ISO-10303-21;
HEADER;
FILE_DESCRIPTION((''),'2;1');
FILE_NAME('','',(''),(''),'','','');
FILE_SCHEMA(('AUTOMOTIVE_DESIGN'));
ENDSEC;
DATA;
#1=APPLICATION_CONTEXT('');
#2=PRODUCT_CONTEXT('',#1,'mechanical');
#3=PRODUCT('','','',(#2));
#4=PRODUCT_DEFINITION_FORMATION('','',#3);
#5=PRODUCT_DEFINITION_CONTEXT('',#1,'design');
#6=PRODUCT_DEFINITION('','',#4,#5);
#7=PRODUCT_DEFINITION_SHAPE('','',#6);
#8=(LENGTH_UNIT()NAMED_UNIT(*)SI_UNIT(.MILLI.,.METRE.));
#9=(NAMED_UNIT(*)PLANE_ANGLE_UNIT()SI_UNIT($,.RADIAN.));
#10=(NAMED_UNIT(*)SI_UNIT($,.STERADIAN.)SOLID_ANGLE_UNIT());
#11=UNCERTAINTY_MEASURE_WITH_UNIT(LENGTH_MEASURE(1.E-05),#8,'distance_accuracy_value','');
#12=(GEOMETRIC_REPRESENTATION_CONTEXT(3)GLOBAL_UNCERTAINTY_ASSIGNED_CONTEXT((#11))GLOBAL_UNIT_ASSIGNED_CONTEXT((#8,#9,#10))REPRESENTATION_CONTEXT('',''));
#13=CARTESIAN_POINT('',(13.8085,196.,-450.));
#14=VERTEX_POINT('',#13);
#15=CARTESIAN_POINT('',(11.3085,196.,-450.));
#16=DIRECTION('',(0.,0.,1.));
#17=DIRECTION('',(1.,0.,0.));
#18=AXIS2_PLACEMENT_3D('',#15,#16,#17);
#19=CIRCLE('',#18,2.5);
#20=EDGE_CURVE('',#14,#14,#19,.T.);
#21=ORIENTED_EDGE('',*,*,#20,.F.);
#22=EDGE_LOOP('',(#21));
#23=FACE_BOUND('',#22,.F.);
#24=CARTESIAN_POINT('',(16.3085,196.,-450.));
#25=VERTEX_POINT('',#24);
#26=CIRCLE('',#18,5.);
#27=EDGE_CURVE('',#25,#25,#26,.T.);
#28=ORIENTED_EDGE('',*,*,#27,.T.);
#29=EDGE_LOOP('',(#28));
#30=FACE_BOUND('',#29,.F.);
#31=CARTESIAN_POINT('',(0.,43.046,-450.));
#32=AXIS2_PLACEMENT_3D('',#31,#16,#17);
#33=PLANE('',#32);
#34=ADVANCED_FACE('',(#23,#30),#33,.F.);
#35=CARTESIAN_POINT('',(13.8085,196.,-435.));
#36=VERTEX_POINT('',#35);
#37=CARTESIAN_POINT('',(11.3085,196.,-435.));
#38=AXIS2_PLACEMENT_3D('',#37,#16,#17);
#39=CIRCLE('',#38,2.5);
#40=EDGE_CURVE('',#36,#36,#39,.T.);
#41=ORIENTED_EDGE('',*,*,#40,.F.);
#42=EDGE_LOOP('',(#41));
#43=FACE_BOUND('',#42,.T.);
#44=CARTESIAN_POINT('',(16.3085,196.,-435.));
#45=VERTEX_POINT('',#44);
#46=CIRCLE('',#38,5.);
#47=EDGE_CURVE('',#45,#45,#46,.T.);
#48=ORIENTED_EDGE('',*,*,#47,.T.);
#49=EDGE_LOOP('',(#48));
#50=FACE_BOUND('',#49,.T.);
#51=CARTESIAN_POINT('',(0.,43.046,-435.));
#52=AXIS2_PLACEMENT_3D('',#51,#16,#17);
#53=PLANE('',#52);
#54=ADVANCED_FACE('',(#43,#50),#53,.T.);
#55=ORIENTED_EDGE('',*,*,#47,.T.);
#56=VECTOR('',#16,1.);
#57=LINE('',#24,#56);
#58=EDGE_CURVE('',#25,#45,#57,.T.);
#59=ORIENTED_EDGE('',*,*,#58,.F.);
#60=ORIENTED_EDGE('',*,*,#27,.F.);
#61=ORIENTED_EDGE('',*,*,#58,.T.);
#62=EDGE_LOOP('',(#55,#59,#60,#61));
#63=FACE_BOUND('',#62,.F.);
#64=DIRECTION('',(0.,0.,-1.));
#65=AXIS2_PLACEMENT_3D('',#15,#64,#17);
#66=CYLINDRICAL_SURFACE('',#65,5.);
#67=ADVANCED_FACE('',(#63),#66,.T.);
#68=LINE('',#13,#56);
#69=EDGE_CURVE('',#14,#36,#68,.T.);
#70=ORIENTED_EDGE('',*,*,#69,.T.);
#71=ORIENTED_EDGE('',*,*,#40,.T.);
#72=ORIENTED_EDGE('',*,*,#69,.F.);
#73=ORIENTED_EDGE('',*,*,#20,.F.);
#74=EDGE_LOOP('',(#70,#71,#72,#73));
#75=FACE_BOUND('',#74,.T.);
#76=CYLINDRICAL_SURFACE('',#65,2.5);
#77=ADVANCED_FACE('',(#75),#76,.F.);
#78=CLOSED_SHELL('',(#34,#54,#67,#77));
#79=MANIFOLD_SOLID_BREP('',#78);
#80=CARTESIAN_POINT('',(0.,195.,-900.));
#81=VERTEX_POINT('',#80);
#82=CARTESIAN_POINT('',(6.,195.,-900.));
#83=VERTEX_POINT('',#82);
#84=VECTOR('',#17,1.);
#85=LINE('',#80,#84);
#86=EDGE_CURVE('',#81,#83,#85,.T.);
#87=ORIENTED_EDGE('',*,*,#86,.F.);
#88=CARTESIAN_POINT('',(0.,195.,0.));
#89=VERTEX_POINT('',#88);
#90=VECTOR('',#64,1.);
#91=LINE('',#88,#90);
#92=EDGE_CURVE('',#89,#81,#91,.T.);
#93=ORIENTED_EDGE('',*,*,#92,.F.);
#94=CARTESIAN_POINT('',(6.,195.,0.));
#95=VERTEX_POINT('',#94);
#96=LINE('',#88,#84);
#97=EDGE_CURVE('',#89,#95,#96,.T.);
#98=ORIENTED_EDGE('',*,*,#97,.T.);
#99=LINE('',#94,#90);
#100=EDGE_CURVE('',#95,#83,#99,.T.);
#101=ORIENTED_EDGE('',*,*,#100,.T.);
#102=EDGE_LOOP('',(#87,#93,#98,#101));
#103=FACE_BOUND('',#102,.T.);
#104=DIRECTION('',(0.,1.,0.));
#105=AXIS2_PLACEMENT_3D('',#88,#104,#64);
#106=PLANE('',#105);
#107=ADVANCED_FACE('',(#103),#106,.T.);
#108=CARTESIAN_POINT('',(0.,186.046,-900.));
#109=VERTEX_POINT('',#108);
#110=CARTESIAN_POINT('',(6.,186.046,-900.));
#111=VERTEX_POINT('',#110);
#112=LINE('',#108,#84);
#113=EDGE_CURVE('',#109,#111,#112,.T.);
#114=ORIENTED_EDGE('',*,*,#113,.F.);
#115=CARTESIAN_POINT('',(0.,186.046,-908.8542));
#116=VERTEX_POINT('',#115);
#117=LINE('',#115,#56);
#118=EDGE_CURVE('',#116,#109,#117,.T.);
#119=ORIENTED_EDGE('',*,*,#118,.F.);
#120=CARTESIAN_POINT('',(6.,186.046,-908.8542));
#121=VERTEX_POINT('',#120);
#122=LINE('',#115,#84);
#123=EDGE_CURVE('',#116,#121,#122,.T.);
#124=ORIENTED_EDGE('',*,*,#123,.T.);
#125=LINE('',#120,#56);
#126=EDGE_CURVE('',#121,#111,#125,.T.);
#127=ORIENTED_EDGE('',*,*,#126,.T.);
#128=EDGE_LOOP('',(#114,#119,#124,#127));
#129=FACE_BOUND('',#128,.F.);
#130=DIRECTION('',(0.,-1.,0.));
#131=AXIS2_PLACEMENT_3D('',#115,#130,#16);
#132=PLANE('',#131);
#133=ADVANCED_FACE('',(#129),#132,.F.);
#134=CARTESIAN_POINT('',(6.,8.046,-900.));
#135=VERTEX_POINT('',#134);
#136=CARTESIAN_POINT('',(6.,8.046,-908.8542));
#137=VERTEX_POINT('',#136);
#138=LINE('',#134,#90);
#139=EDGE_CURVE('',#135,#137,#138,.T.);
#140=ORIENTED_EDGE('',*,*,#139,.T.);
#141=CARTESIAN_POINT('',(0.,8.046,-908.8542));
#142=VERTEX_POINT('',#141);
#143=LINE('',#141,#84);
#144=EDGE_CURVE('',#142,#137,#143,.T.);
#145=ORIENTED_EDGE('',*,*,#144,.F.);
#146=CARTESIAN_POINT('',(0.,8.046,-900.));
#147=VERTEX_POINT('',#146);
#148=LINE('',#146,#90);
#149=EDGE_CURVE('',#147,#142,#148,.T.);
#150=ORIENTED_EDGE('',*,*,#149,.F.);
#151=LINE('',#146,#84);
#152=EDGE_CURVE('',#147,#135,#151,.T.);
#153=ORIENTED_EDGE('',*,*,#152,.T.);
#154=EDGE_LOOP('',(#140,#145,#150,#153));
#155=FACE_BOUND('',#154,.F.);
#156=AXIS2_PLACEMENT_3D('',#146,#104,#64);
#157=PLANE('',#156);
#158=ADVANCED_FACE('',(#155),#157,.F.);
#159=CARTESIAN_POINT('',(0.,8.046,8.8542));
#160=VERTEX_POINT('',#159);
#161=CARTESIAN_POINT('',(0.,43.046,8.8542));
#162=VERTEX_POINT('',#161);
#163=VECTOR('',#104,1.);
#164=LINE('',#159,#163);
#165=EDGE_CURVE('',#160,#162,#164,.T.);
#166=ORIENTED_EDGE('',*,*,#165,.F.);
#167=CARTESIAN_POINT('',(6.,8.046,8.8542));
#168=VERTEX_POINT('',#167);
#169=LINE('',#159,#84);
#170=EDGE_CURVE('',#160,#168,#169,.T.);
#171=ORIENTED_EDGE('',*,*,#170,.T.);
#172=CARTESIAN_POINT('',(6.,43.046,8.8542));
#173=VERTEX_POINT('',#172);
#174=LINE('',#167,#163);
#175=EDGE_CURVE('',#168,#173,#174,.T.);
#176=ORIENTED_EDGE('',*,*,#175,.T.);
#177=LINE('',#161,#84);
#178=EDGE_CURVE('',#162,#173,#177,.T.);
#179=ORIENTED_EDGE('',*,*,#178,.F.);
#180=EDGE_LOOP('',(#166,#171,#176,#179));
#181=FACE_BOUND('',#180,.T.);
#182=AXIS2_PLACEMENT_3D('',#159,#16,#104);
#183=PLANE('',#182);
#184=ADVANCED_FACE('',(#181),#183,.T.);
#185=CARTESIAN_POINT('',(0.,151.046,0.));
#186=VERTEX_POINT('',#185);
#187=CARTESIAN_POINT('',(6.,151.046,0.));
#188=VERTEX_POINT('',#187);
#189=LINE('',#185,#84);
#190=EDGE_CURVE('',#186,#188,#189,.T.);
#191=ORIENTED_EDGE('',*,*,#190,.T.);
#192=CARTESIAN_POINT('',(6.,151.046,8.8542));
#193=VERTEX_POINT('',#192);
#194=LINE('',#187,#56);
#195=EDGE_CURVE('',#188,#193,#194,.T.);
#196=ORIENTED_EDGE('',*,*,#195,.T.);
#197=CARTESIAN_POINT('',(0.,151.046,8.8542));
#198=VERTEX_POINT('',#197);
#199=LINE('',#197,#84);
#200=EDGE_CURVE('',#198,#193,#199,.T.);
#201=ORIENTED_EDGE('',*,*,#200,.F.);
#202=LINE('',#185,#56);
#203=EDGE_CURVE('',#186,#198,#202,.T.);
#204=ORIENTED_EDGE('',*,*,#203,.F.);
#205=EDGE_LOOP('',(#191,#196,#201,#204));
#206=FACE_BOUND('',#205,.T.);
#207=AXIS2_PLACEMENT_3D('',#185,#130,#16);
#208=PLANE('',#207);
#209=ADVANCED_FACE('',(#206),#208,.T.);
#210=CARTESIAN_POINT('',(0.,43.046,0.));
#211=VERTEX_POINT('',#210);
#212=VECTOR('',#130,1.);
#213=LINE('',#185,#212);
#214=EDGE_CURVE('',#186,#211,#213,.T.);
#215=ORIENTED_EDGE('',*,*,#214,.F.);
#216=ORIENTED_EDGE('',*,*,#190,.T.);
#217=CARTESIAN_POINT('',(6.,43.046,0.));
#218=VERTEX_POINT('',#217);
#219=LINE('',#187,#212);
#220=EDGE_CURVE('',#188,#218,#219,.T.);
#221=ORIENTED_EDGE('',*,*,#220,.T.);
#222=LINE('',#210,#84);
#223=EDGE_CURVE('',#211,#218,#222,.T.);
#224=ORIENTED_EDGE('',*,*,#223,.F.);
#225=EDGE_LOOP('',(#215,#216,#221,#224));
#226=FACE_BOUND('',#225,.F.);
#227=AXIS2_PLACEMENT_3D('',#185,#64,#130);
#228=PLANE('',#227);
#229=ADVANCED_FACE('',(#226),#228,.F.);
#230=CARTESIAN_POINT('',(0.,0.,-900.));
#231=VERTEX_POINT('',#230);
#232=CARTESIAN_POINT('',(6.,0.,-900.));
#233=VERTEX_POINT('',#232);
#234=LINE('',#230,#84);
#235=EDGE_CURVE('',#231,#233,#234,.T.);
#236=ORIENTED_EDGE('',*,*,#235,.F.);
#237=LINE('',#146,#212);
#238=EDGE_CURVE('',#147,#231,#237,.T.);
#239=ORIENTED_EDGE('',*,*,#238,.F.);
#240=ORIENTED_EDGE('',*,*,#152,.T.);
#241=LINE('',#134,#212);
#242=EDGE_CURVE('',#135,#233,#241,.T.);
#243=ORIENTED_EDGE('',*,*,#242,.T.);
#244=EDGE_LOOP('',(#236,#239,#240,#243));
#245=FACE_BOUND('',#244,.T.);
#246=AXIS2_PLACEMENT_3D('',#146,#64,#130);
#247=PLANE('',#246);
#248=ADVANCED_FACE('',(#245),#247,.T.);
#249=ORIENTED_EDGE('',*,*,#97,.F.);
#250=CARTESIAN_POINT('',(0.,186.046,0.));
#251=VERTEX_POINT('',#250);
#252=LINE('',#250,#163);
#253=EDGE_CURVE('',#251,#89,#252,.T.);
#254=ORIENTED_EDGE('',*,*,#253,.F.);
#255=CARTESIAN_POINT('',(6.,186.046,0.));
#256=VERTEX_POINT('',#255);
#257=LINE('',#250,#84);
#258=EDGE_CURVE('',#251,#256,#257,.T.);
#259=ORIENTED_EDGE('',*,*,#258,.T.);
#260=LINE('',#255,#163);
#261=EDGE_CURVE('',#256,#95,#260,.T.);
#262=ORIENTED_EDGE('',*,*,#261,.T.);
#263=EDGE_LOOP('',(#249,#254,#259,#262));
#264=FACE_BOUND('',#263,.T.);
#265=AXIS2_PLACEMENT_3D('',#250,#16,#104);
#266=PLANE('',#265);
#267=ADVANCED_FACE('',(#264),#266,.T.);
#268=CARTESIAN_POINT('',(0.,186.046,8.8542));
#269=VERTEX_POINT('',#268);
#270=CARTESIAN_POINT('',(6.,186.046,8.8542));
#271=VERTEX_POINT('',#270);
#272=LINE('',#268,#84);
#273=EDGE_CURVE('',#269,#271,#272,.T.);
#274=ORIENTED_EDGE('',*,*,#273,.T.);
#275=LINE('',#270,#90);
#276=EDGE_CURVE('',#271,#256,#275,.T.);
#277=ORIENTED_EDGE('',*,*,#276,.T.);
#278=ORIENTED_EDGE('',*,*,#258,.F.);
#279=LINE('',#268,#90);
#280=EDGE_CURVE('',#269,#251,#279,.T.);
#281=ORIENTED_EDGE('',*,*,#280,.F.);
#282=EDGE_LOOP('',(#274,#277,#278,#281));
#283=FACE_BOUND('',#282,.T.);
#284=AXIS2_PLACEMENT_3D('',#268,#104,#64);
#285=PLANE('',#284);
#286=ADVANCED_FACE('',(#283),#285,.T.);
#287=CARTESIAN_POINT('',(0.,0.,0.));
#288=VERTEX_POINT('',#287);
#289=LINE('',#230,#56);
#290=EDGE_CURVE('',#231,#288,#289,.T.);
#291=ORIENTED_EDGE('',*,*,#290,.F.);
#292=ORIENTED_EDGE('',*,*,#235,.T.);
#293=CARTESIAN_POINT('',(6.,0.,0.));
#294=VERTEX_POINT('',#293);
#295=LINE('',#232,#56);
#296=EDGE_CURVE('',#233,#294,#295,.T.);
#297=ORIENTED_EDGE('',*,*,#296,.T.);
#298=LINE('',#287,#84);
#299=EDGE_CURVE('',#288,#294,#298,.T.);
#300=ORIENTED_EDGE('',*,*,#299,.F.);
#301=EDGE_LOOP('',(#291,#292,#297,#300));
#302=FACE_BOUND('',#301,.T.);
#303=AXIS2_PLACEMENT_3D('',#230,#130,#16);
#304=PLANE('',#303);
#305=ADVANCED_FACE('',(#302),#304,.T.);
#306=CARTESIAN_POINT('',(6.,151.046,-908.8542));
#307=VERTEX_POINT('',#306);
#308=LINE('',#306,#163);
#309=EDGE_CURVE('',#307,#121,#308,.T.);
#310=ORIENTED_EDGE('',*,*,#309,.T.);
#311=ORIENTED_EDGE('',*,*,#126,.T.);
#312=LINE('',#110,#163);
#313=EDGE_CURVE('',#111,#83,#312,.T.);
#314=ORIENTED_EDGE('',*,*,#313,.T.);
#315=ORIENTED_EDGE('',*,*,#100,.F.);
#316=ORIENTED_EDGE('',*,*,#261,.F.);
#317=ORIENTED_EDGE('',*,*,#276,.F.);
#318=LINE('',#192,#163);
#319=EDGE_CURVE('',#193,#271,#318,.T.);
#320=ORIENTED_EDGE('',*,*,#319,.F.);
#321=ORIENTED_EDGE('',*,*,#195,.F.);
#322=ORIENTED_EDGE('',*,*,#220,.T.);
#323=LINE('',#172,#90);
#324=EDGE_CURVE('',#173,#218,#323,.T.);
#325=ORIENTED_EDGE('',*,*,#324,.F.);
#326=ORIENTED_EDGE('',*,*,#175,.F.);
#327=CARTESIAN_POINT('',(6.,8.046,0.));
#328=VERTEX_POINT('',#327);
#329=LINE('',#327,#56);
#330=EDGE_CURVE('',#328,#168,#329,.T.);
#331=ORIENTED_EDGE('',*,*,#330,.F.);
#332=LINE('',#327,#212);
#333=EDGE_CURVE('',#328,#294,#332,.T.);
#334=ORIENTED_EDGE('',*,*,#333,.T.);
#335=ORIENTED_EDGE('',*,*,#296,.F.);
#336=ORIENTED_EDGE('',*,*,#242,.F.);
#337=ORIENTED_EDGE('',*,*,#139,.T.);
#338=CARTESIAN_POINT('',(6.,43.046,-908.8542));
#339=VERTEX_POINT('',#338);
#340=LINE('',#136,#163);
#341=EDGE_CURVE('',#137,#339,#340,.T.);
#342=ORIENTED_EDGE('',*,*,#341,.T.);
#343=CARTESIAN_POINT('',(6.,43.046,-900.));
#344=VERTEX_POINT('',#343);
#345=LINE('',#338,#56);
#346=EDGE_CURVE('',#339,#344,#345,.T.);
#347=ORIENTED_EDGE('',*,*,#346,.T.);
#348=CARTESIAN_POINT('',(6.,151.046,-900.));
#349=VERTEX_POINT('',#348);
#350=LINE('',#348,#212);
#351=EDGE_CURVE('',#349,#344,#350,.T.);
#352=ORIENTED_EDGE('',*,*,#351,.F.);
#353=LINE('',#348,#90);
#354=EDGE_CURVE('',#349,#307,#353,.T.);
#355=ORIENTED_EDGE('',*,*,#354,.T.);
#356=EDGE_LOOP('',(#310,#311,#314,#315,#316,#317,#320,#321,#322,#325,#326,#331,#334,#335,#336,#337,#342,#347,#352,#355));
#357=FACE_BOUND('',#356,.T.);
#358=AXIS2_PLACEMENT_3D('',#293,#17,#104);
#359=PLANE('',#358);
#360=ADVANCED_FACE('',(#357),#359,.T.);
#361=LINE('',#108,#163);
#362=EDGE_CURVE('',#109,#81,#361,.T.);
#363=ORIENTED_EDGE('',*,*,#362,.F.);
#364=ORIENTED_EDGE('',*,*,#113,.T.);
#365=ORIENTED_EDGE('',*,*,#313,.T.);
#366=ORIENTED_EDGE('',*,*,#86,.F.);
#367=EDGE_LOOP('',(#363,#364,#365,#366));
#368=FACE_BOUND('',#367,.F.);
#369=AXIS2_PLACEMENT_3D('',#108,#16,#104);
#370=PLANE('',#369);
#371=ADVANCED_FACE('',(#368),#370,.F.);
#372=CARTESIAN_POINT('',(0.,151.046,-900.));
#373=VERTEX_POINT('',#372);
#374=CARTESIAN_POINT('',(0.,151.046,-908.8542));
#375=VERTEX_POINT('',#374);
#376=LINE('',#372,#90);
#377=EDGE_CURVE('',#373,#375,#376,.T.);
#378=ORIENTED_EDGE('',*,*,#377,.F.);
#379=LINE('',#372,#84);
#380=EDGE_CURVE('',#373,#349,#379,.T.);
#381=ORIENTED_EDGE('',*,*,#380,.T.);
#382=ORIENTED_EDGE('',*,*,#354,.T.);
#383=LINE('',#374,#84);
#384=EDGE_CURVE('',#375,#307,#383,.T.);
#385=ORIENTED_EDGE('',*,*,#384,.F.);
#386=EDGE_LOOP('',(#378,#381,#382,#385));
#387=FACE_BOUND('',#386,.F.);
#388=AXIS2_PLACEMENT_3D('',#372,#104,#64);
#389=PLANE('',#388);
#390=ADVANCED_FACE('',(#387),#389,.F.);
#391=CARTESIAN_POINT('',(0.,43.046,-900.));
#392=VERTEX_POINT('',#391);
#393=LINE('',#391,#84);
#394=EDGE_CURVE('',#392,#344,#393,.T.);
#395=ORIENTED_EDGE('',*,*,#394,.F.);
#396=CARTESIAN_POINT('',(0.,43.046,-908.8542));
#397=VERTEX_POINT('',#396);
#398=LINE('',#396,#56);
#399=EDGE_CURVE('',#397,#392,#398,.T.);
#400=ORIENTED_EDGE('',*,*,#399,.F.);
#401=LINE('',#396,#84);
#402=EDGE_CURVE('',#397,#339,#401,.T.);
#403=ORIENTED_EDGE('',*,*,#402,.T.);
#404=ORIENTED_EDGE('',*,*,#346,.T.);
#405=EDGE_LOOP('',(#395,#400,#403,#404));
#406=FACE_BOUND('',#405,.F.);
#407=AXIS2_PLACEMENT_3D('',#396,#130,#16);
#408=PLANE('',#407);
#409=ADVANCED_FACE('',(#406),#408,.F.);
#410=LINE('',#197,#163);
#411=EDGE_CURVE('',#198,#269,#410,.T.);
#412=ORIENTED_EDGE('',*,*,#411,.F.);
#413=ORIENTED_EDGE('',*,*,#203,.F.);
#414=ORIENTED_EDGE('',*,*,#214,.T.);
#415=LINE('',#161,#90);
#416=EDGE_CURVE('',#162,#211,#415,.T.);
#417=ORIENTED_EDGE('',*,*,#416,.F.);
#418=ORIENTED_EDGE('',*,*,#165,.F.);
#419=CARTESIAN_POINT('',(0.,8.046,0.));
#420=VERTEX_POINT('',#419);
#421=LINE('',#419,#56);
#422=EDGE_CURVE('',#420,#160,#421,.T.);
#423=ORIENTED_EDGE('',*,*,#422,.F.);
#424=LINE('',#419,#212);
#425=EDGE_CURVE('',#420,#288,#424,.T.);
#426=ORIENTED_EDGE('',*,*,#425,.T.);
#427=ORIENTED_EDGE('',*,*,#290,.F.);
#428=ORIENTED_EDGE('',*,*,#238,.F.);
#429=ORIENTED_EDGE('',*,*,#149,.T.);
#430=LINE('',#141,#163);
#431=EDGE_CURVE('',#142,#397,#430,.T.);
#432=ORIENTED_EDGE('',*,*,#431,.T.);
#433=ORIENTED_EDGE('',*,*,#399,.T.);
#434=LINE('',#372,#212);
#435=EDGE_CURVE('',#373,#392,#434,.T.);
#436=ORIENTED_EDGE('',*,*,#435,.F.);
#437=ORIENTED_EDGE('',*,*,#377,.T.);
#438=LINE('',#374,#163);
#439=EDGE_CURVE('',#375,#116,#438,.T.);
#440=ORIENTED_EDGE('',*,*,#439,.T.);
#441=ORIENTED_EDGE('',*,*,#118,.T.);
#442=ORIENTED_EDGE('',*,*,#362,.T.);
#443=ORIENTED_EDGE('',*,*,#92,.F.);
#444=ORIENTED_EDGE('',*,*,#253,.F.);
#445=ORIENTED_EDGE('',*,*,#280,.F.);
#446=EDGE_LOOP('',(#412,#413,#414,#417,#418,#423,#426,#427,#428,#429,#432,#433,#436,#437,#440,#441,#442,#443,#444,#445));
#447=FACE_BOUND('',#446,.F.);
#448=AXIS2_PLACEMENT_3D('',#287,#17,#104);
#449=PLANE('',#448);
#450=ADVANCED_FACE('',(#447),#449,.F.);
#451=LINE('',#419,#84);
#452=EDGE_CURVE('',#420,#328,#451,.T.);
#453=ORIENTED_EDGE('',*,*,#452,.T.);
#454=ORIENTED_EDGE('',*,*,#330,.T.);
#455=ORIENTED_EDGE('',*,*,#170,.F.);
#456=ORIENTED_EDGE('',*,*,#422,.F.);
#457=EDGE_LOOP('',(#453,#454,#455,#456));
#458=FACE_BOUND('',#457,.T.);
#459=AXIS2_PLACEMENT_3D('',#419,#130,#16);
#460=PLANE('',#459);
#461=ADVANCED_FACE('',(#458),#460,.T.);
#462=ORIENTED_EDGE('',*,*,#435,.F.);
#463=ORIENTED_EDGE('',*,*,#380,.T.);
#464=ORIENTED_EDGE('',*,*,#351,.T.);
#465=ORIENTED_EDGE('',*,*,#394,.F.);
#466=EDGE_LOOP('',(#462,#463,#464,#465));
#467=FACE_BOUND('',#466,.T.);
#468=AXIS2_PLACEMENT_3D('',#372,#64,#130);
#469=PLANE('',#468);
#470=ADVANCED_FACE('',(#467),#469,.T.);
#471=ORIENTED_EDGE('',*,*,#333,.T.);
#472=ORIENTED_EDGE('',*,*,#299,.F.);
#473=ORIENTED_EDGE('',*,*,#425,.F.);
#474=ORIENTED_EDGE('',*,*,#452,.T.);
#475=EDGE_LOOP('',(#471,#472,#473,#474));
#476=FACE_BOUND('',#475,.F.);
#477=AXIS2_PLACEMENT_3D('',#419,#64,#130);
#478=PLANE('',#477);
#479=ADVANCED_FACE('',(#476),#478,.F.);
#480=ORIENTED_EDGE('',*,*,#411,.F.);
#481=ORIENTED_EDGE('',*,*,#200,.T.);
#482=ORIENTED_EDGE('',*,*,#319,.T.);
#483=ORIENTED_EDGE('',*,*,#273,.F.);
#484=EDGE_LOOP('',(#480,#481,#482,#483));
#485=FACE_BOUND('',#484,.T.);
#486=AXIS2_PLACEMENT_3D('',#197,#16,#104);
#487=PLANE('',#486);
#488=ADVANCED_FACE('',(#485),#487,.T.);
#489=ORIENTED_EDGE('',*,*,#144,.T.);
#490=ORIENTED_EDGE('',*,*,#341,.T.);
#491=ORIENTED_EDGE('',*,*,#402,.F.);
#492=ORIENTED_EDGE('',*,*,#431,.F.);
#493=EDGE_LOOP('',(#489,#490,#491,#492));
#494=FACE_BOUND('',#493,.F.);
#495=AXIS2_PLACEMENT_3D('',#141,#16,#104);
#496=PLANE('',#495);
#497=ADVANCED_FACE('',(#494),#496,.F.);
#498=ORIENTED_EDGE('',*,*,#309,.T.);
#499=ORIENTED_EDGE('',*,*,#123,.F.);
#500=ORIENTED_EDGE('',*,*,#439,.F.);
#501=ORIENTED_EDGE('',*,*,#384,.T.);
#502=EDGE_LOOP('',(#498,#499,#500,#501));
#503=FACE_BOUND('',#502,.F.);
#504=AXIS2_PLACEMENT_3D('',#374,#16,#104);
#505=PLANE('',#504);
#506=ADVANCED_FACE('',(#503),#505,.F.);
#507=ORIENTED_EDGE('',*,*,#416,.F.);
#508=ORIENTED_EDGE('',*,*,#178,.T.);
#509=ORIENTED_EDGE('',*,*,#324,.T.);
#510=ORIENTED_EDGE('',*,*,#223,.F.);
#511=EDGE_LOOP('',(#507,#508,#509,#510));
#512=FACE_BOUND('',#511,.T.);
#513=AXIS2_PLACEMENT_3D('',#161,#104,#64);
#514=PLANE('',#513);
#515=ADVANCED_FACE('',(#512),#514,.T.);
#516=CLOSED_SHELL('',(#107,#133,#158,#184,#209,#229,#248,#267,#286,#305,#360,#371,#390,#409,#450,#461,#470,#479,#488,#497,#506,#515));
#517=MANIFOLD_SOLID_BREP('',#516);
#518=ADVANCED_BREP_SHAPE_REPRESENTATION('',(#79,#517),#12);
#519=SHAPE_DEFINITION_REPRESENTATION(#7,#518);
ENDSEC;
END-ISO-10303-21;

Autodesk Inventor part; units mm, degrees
ref_plane "YZ Plane" through (0, 0, 0) normal (1, 0, 0) x (0, 1, 0)
ref_plane "XZ Plane" through (0, 0, 0) normal (0, 1, 0) x (-1, 0, 0)
sketch "Sketch1" plane through (0, 0, 0) normal (1, 0, 0) x (0, 1, 0)
  line L0 (0, 0) -> (195, 0) construction
  line L1 (195, 0) -> (195, -900)
  line L2 (195, -900) -> (0, -900) construction
  line L3 (0, -900) -> (0, 0)
  line L4 (195, -450) -> (0, -450) construction
  line L5 (186.046, 0) -> (151.046, 0) construction
  line L6 (151.046, 0) -> (151.046, 8.8542)
  line L7 (151.046, 8.8542) -> (186.046, 8.8542)
  line L8 (186.046, 8.8542) -> (186.046, 0)
  line L9 (43.046, 0) -> (8.046, 0) construction
  line L10 (8.046, 0) -> (8.046, 8.8542)
  line L11 (8.046, 8.8542) -> (43.046, 8.8542)
  line L12 (43.046, 8.8542) -> (43.046, 0)
  line L13 (151.046, 0) -> (43.046, 0)
  line L14 (8.046, 0) -> (0, 0)
  line L15 (186.046, 0) -> (195, 0)
  line L16 (0, -900) -> (195, -900) construction
  line L17 (186.046, -900) -> (151.046, -900) construction
  line L18 (151.046, -900) -> (151.046, -908.8542)
  line L19 (151.046, -908.8542) -> (186.046, -908.8542)
  line L20 (186.046, -908.8542) -> (186.046, -900)
  line L21 (43.046, -900) -> (8.046, -900) construction
  line L22 (8.046, -900) -> (8.046, -908.8542)
  line L23 (8.046, -908.8542) -> (43.046, -908.8542)
  line L24 (43.046, -908.8542) -> (43.046, -900)
  line L25 (151.046, -900) -> (43.046, -900)
  line L26 (8.046, -900) -> (0, -900)
  line L27 (186.046, -900) -> (195, -900)
  dimension "d0" = 900
  dimension "d1" = 195
  dimension "d2" = 35
  dimension "d3" = 108
  dimension "d4" = 8.046
  dimension "d5" = 8.954
extrude "Extrusion1" add sketch "Sketch1" along normal blind 6
ref_plane "Work Plane1" through (0, 43.046, -450) normal (0, 0, 1) x (1, 0, 0)
sketch "Sketch2" plane through (0, 43.046, -450) normal (0, 0, 1) x (1, 0, 0)
  line L0 (6, 143) -> (6, 151.954) projected
  circle A0 centre (11.3085, 152.954) radius 5
  circle A1 centre (11.3085, 152.954) radius 2.5
  line L1 (0, 151.954) -> (0, 143) projected
  line L2 (6, 151.954) -> (31.9194, 151.954) construction
  line L3 (6, 151.954) -> (6, 143) construction
  point P0 (0, -43.046)
  dimension "d11" = 5
  dimension "d12" = 10
  dimension "d13" = 1
extrude "Extrusion2" add sketch "Sketch2" along normal blind 15
properties part number "Frente_Controle" material "Wood (Oak)"
